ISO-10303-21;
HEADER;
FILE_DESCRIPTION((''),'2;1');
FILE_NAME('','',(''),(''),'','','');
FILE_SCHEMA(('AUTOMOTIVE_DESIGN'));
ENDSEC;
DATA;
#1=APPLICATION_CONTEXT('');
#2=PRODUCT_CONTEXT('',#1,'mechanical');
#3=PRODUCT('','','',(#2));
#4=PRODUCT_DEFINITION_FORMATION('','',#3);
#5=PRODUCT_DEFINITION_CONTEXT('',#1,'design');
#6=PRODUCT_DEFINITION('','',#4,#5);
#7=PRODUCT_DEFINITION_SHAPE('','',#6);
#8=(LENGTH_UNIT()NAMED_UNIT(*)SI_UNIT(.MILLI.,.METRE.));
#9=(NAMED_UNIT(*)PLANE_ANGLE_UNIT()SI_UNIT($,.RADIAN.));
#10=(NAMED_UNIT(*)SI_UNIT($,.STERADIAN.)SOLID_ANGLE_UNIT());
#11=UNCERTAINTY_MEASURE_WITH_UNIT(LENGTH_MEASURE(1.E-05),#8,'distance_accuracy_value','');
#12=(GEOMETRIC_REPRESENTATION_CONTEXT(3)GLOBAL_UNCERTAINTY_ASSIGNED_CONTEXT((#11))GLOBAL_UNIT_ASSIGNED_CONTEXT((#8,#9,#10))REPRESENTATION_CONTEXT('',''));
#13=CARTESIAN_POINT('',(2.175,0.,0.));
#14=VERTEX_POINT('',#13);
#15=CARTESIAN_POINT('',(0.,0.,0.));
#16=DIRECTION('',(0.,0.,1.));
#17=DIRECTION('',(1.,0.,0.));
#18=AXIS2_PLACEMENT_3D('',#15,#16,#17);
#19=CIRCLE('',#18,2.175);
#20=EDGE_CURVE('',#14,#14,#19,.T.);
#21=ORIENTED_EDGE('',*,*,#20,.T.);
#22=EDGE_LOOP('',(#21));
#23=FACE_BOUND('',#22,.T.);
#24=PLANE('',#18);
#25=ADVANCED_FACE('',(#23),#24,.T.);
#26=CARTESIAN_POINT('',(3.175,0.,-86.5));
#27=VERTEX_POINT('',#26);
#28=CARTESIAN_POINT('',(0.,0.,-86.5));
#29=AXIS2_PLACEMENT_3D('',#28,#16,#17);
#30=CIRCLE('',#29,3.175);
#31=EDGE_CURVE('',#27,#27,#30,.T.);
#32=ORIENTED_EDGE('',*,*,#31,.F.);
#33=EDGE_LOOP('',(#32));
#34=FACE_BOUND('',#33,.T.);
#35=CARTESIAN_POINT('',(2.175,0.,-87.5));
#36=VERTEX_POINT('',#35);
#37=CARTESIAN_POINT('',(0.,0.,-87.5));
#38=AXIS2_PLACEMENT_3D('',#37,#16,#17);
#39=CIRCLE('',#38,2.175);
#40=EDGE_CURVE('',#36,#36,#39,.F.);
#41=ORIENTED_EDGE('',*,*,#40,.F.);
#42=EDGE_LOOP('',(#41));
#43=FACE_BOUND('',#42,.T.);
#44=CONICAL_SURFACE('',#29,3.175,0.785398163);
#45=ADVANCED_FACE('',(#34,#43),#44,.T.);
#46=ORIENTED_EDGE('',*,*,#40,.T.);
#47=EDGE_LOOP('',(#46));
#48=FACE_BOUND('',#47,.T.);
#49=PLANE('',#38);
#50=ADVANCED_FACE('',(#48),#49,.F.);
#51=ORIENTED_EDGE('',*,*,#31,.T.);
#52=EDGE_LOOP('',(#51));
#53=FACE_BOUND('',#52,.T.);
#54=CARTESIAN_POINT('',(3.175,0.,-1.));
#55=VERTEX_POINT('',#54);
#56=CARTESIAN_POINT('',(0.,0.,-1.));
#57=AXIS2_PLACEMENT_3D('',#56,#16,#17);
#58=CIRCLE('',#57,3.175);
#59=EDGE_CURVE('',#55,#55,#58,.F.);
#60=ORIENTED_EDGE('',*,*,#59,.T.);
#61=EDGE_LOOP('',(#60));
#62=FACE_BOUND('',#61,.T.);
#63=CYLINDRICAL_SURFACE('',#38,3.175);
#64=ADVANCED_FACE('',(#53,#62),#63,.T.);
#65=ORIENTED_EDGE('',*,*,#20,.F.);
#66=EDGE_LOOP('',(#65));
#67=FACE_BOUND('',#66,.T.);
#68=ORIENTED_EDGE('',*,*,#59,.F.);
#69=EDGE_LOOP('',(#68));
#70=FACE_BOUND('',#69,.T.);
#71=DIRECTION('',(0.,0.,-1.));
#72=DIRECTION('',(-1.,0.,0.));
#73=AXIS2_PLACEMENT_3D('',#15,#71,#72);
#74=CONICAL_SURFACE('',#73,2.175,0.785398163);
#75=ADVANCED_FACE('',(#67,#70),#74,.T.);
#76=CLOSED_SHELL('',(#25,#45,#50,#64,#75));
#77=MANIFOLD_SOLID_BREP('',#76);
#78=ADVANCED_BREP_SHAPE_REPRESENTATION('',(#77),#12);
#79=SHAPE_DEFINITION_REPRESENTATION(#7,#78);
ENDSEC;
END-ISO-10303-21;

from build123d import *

# Parameters (mm, degrees)
SKETCH1_R           = 3.175
BOSS_EXTRUDE1_DEPTH = 87.5
CHAMFER1_SIZE       = 1


with BuildPart() as part:
    # Sketch1 → Boss-Extrude1 (new body)
    with BuildSketch(Plane.XY):
        Circle(SKETCH1_R)
    extrude(amount=-BOSS_EXTRUDE1_DEPTH)

    # Chamfer1
    chamfer1_edges = [part.edges().sort_by_distance(p)[0] for p in [
        (-3.175, 0, 0),
        (-3.175, 0, -87.5),
    ]]
    chamfer(chamfer1_edges, length=CHAMFER1_SIZE)


solid = part.part
